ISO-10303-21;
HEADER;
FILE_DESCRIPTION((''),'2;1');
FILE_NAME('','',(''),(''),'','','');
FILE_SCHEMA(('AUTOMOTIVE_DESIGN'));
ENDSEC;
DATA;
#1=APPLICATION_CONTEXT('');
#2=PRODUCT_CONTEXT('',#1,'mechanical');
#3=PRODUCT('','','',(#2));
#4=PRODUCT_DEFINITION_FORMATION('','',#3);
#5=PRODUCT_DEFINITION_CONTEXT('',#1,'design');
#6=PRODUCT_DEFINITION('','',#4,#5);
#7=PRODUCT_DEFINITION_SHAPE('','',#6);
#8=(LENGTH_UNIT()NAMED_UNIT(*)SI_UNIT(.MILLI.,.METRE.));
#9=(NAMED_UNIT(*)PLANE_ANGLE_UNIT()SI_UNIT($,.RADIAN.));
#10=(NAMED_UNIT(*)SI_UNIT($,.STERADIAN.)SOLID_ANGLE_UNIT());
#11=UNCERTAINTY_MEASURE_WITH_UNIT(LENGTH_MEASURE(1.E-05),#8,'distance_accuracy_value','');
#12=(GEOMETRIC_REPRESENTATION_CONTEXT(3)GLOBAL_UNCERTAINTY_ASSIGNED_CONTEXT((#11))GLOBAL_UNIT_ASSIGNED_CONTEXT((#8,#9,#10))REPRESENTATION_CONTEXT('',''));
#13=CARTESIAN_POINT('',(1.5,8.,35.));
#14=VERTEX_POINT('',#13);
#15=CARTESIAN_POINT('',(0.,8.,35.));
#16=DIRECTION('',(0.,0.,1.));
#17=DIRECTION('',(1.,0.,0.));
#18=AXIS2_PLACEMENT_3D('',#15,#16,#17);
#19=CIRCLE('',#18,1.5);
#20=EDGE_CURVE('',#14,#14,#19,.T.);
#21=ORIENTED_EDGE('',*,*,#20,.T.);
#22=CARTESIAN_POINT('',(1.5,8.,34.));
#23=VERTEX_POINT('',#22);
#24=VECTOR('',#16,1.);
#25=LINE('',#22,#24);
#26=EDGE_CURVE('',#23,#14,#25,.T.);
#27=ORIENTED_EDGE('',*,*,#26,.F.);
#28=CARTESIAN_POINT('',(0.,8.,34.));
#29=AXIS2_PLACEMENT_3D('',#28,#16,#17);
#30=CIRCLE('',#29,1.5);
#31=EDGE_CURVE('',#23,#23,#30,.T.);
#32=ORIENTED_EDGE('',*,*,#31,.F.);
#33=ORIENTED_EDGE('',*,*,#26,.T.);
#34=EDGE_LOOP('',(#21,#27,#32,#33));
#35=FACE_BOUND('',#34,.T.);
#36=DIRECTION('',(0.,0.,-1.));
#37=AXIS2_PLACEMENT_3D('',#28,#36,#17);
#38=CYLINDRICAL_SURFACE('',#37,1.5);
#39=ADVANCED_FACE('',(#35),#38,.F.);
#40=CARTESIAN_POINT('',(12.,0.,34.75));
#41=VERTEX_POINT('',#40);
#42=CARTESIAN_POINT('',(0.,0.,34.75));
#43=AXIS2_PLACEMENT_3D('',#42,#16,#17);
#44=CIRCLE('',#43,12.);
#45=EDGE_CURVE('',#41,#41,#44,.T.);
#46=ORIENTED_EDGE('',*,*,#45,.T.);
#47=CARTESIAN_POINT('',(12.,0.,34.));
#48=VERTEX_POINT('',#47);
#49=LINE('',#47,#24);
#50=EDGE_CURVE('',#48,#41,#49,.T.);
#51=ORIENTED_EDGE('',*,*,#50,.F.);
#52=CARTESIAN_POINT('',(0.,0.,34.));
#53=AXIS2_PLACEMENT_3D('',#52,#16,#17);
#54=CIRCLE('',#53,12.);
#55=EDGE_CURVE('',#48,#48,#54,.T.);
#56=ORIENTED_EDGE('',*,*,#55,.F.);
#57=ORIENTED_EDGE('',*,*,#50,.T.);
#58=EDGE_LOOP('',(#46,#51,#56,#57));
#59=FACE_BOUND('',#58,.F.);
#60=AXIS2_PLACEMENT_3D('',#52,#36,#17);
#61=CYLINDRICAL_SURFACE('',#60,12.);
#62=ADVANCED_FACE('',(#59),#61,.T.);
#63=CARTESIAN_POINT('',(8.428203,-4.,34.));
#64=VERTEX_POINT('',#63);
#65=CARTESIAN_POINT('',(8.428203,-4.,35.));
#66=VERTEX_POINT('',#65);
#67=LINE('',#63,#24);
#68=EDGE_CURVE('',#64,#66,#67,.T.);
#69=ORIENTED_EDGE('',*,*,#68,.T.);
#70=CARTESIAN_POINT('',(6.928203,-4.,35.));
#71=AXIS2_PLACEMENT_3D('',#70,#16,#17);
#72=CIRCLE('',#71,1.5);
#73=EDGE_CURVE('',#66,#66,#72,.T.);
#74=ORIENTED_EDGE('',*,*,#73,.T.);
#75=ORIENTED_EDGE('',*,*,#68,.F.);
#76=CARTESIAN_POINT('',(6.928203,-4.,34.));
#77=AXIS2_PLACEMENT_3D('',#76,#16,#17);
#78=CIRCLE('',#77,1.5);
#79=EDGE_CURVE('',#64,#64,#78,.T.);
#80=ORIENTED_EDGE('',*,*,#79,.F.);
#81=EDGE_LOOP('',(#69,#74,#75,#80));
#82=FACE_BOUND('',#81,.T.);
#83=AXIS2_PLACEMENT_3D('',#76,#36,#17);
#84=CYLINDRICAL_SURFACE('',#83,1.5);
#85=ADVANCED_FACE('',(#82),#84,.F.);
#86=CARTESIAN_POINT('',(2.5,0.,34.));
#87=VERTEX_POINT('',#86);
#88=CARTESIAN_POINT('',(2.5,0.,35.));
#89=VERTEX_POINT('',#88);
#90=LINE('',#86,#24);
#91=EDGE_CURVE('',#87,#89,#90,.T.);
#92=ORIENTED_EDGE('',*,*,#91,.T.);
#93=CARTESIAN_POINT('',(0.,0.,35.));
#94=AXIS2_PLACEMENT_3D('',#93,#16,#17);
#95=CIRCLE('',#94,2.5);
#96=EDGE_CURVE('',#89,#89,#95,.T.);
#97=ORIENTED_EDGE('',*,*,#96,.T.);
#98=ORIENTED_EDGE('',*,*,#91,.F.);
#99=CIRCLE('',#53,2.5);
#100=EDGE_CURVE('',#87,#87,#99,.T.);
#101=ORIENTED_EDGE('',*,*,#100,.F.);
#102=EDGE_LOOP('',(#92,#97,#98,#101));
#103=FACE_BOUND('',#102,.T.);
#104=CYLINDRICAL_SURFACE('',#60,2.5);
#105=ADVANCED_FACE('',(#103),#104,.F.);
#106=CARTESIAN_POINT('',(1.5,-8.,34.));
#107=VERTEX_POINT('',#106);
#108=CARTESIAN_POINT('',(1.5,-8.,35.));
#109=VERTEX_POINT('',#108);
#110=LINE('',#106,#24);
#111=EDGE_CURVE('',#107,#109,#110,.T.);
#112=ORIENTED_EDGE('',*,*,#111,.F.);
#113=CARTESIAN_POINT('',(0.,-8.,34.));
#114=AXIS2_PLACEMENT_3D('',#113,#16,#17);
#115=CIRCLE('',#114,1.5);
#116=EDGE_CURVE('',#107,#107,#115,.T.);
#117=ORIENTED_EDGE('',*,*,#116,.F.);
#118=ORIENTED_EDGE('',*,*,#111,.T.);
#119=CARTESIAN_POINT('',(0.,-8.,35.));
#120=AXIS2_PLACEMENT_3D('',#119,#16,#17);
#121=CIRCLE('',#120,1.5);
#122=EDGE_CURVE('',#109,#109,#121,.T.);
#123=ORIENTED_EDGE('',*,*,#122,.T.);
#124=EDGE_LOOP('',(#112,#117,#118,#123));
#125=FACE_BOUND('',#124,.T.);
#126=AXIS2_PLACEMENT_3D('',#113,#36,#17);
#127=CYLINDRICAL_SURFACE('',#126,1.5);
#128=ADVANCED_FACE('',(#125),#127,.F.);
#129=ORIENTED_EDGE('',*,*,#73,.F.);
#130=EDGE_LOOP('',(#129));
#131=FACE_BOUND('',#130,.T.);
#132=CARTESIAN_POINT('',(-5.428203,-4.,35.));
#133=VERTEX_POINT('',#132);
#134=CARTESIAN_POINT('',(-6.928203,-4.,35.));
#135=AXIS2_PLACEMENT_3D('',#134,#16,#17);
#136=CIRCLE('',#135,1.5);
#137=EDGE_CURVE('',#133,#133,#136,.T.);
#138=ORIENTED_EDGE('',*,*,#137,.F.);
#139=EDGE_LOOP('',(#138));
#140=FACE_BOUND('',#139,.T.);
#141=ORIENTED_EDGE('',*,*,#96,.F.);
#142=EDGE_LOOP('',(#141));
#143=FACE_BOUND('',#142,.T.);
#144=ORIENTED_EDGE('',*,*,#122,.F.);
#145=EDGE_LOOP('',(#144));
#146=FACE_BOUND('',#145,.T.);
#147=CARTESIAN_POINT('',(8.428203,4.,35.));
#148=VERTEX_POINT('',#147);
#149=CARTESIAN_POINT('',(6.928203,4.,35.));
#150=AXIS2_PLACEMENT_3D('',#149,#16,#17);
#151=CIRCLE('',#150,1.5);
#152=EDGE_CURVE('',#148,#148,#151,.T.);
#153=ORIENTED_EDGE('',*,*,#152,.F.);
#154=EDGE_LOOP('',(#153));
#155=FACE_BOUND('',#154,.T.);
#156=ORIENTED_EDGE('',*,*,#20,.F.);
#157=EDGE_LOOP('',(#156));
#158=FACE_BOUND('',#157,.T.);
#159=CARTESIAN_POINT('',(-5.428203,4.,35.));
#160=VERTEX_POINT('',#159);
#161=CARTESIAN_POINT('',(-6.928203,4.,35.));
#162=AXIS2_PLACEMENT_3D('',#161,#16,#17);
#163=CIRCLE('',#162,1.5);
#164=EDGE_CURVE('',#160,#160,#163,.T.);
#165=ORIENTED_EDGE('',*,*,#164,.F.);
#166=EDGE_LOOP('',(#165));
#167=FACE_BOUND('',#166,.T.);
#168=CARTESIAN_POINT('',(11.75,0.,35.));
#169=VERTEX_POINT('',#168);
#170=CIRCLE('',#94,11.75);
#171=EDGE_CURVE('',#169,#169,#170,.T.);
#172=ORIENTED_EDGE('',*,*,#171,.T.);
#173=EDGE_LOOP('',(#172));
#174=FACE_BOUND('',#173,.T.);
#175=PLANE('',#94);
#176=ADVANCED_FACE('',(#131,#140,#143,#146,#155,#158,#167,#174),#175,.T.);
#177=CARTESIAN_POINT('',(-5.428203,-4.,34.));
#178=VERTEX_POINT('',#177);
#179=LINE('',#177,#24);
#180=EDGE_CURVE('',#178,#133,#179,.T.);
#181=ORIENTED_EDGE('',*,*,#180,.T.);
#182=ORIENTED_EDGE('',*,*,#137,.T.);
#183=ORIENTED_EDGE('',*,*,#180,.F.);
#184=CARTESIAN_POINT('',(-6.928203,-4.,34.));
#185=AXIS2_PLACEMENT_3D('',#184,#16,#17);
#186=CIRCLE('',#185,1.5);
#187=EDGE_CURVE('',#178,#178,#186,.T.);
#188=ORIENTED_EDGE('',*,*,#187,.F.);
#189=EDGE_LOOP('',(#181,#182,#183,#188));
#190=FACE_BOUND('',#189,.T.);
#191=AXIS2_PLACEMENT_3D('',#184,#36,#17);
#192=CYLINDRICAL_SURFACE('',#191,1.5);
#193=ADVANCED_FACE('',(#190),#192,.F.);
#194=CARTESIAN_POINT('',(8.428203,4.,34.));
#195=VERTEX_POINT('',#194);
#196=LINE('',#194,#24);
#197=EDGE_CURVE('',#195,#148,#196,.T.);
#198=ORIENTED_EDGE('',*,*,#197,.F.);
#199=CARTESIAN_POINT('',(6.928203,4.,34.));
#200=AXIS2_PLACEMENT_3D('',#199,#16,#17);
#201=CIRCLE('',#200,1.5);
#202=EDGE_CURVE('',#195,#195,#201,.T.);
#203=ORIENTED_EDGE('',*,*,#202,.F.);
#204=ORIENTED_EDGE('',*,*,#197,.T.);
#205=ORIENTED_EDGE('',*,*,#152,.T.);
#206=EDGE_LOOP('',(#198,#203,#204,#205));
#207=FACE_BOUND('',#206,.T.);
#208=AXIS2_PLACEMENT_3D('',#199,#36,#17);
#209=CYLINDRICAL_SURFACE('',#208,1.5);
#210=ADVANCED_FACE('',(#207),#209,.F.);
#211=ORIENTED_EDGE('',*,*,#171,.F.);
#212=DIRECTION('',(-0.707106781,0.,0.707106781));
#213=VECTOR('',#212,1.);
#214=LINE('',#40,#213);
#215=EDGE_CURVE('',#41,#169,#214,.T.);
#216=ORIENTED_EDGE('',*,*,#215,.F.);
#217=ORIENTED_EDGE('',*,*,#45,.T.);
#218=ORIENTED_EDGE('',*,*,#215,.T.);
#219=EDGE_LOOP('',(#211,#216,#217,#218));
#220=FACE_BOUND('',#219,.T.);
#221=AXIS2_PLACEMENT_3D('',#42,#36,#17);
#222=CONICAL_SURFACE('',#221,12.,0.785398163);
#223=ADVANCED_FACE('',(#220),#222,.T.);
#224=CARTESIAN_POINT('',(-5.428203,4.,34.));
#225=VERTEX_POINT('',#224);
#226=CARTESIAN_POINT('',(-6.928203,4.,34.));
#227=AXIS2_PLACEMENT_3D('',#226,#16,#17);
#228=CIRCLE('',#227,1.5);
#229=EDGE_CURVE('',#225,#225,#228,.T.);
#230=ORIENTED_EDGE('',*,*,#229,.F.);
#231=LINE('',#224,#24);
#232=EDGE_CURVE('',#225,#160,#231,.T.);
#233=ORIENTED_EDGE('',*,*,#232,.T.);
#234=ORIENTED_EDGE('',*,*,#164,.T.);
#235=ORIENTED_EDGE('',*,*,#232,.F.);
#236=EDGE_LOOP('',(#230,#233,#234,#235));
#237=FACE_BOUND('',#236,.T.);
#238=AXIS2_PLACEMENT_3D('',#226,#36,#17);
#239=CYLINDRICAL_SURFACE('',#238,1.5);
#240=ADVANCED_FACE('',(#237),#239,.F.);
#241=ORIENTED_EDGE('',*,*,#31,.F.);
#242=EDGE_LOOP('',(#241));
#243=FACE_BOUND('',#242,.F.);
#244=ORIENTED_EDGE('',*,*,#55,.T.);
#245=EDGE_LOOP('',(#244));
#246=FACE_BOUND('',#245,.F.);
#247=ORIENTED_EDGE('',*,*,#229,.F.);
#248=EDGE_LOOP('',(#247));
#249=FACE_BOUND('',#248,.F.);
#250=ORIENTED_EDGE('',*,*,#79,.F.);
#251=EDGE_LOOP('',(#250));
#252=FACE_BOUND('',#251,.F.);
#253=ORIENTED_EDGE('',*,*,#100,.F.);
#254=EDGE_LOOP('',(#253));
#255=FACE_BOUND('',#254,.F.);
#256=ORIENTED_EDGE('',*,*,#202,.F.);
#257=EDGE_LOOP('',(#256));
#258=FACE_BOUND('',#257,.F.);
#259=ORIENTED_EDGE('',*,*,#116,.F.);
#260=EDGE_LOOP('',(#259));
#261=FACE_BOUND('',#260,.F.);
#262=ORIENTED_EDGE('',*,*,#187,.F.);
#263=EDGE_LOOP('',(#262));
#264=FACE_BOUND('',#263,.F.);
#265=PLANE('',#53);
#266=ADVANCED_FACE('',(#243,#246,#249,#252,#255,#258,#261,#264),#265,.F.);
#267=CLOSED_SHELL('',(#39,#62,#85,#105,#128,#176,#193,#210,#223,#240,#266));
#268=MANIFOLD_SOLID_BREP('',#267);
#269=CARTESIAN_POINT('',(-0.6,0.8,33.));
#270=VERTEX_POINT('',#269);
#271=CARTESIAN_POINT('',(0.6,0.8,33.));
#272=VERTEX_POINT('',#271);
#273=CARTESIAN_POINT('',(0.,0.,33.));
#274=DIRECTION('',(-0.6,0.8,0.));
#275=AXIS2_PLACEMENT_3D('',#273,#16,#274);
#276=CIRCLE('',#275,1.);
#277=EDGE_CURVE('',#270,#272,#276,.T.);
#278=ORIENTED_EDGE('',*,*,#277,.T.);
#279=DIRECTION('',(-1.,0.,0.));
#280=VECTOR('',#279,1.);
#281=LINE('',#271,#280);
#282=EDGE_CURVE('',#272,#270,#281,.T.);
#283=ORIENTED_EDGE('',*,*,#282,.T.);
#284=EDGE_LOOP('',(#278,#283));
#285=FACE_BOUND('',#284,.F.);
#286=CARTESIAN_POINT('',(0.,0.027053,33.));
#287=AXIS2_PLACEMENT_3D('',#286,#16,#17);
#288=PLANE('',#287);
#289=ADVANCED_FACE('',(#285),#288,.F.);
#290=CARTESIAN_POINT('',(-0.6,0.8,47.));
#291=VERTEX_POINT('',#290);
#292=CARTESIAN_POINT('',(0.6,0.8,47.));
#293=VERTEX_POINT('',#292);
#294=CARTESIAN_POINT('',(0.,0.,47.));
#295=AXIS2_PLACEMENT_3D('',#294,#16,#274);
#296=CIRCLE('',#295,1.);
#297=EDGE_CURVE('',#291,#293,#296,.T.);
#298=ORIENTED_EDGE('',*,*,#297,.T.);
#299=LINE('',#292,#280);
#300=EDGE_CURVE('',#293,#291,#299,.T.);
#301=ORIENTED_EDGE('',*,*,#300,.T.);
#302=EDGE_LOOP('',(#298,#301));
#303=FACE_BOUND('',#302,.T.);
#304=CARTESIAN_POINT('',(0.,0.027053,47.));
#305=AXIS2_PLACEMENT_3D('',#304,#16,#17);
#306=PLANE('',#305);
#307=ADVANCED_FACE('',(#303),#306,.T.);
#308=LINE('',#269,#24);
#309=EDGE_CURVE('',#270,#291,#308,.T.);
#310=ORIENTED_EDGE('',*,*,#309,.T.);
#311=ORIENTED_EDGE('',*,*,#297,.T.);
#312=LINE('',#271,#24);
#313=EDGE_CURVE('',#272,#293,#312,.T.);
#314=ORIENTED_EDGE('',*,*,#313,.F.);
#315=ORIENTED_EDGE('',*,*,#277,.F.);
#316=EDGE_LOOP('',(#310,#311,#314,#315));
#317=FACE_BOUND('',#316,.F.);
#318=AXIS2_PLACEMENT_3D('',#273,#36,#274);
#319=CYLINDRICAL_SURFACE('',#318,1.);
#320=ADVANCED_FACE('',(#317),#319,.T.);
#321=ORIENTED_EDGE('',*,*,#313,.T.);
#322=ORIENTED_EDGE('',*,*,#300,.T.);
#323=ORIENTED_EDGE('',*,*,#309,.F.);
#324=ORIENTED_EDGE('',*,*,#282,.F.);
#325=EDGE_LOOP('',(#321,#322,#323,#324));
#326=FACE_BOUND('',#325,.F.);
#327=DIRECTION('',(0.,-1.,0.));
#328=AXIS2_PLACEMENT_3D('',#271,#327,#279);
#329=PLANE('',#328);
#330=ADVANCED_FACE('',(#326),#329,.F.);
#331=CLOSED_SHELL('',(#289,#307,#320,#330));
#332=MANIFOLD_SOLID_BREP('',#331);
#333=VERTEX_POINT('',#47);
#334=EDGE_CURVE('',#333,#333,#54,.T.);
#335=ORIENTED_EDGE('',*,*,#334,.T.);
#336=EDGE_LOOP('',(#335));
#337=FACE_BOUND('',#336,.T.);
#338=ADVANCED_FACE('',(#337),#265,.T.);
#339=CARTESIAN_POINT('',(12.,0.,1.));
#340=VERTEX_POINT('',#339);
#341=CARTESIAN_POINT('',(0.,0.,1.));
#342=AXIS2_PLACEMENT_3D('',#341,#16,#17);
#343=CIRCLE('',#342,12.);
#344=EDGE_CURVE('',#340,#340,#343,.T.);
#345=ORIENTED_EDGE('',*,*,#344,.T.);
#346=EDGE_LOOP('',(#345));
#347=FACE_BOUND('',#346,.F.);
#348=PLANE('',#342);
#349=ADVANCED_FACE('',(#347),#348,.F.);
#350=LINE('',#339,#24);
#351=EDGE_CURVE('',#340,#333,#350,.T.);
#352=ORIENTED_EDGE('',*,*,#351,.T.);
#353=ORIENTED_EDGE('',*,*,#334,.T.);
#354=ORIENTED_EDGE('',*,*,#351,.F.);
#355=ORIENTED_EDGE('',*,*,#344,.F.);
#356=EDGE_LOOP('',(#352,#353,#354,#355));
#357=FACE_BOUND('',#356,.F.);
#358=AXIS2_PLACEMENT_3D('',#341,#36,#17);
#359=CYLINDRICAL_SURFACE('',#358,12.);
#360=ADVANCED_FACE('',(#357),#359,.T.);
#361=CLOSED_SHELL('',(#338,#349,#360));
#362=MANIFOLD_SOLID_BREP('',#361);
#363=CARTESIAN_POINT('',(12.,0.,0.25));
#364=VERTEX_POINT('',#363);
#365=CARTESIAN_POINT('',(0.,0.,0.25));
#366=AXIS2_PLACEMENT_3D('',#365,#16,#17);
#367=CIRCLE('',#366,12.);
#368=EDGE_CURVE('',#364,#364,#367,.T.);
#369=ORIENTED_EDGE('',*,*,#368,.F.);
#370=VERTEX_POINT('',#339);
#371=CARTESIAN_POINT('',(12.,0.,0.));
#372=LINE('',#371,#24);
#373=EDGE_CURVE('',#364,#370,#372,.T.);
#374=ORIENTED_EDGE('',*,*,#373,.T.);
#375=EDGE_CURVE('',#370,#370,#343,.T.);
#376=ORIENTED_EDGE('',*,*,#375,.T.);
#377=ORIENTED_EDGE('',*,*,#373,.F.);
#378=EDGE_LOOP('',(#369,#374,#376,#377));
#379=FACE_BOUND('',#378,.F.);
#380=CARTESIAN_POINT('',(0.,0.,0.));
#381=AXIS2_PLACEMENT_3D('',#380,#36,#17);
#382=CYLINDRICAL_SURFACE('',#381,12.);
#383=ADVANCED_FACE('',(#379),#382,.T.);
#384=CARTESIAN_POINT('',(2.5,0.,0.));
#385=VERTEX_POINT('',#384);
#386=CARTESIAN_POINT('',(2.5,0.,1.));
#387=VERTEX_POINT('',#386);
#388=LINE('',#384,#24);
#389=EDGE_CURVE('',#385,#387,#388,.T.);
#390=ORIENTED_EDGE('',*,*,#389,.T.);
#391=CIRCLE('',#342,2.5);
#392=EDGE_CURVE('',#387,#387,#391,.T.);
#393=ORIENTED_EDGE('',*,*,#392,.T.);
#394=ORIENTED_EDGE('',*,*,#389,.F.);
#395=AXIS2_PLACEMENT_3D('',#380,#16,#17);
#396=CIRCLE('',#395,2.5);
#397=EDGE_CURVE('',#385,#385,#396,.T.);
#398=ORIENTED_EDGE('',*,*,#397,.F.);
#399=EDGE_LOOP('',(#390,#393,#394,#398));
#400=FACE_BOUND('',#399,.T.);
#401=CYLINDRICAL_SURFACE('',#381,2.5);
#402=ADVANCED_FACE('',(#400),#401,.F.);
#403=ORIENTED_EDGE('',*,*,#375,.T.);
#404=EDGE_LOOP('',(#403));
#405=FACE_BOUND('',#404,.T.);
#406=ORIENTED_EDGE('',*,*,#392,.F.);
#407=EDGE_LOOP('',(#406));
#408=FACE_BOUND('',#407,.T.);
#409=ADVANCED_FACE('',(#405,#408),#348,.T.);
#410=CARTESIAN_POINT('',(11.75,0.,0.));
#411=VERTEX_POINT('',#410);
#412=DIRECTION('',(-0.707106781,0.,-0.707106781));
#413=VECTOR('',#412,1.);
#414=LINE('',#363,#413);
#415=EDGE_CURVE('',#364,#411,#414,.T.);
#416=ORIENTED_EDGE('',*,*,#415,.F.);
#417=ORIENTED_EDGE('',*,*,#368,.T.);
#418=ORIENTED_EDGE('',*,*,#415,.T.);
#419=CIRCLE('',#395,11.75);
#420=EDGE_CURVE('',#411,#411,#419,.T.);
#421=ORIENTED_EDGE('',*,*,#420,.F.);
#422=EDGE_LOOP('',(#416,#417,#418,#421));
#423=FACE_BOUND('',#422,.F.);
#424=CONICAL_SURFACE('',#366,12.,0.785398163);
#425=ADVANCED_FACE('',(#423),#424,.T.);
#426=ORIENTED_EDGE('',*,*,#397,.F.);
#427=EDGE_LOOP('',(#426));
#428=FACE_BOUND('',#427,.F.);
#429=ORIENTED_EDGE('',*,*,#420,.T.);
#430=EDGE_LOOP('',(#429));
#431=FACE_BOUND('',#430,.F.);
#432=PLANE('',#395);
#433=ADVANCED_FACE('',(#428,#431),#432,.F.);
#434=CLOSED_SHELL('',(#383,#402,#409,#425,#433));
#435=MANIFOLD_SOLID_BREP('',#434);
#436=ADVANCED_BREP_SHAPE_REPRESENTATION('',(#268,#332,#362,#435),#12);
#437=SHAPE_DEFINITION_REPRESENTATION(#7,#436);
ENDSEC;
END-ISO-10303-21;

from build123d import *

# Parameters (mm, degrees)
F0_R      = 12
F0_R_2    = 1.5
F0_R_3    = 2.5
F1_DEPTH  = 1
F2_START  = 1
F2_DEPTH  = 33
F3_START  = 34
F3_DEPTH  = 1
F4_START  = 33
F4_DEPTH  = 14
F5_SIZE   = 0.25
F5_2_SIZE = 0.25


with BuildPart() as f1:
    # F0 (on Top) → F1 (new body)
    with BuildSketch(Plane.XY):
        Circle(F0_R)
        with Locations((-6.9282032303, -4)):
            Circle(F0_R_2, mode=Mode.SUBTRACT)
        with Locations((0, -8)):
            Circle(F0_R_2, mode=Mode.SUBTRACT)
        with Locations((6.9282032303, -4)):
            Circle(F0_R_2, mode=Mode.SUBTRACT)
        with Locations((-6.9282032303, 4)):
            Circle(F0_R_2, mode=Mode.SUBTRACT)
        Circle(F0_R_3, mode=Mode.SUBTRACT)
        with Locations((6.9282032303, 4)):
            Circle(F0_R_2, mode=Mode.SUBTRACT)
        with Locations((0, 8)):
            Circle(F0_R_2, mode=Mode.SUBTRACT)
        with Locations((-6.9282032303, 4)):
            Circle(F0_R_2)
        with Locations((-6.9282032303, -4)):
            Circle(F0_R_2)
        with Locations((0, -8)):
            Circle(F0_R_2)
        with Locations((6.9282032303, -4)):
            Circle(F0_R_2)
        with Locations((6.9282032303, 4)):
            Circle(F0_R_2)
        with Locations((0, 8)):
            Circle(F0_R_2)
    extrude(amount=F1_DEPTH)

    # F5#2
    f5_2_edges = [f1.edges().sort_by_distance(p)[0] for p in [
        (-12, 0, 0),
    ]]
    chamfer(f5_2_edges, length=F5_2_SIZE)


with BuildPart() as f2:
    # F0 (on Top) → F2 (new body)
    with BuildSketch(Plane.XY.offset(F2_START)):
        Circle(F0_R)
        with Locations((-6.9282032303, -4)):
            Circle(F0_R_2, mode=Mode.SUBTRACT)
        with Locations((0, -8)):
            Circle(F0_R_2, mode=Mode.SUBTRACT)
        with Locations((6.9282032303, -4)):
            Circle(F0_R_2, mode=Mode.SUBTRACT)
        with Locations((-6.9282032303, 4)):
            Circle(F0_R_2, mode=Mode.SUBTRACT)
        Circle(F0_R_3, mode=Mode.SUBTRACT)
        with Locations((6.9282032303, 4)):
            Circle(F0_R_2, mode=Mode.SUBTRACT)
        with Locations((0, 8)):
            Circle(F0_R_2, mode=Mode.SUBTRACT)
        Circle(F0_R_3)
        with BuildLine():
            ThreePointArc((0.6, 0.8), (0.894427191, 0.4472135955), (1, 0))
            ThreePointArc((1, 0), (-0.4472135955, -0.894427191), (-0.6, 0.8))
            ThreePointArc((-0.6, 0.8), (0, 1), (0.6, 0.8))
        make_face(mode=Mode.SUBTRACT)
        with Locations((-6.9282032303, -4)):
            Circle(F0_R_2)
        with Locations((0, -8)):
            Circle(F0_R_2)
        with Locations((6.9282032303, 4)):
            Circle(F0_R_2)
        with Locations((6.9282032303, -4)):
            Circle(F0_R_2)
        with Locations((0, 8)):
            Circle(F0_R_2)
        with Locations((-6.9282032303, 4)):
            Circle(F0_R_2)
        with BuildLine():
            ThreePointArc((-0.6, 0.8), (-0.4472135955, -0.894427191), (1, 0))
            ThreePointArc((1, 0), (0.894427191, 0.4472135955), (0.6, 0.8))
            Line((0.6, 0.8), (-0.6, 0.8))
        make_face()
        with BuildLine():
            Line((-0.6, 0.8), (0.6, 0.8))
            ThreePointArc((0.6, 0.8), (0, 1), (-0.6, 0.8))
        make_face()
    extrude(amount=F2_DEPTH)


with BuildPart() as f3:
    # F0 (on Top) → F3 (new body)
    with BuildSketch(Plane.XY.offset(F3_START)):
        Circle(F0_R)
        with Locations((-6.9282032303, -4)):
            Circle(F0_R_2, mode=Mode.SUBTRACT)
        with Locations((0, -8)):
            Circle(F0_R_2, mode=Mode.SUBTRACT)
        with Locations((6.9282032303, -4)):
            Circle(F0_R_2, mode=Mode.SUBTRACT)
        with Locations((-6.9282032303, 4)):
            Circle(F0_R_2, mode=Mode.SUBTRACT)
        Circle(F0_R_3, mode=Mode.SUBTRACT)
        with Locations((6.9282032303, 4)):
            Circle(F0_R_2, mode=Mode.SUBTRACT)
        with Locations((0, 8)):
            Circle(F0_R_2, mode=Mode.SUBTRACT)
    extrude(amount=F3_DEPTH)

    # F5
    f5_edges = [f3.edges().sort_by_distance(p)[0] for p in [
        (-12, 0, 35),
    ]]
    chamfer(f5_edges, length=F5_SIZE)


with BuildPart() as f4:
    # F0 (on Top) → F4 (new body)
    with BuildSketch(Plane.XY.offset(F4_START)):
        with BuildLine():
            ThreePointArc((-0.6, 0.8), (-0.4472135955, -0.894427191), (1, 0))
            ThreePointArc((1, 0), (0.894427191, 0.4472135955), (0.6, 0.8))
            Line((0.6, 0.8), (-0.6, 0.8))
        make_face()
    extrude(amount=F4_DEPTH)


solid = Compound([f1.part, f2.part, f3.part, f4.part])
